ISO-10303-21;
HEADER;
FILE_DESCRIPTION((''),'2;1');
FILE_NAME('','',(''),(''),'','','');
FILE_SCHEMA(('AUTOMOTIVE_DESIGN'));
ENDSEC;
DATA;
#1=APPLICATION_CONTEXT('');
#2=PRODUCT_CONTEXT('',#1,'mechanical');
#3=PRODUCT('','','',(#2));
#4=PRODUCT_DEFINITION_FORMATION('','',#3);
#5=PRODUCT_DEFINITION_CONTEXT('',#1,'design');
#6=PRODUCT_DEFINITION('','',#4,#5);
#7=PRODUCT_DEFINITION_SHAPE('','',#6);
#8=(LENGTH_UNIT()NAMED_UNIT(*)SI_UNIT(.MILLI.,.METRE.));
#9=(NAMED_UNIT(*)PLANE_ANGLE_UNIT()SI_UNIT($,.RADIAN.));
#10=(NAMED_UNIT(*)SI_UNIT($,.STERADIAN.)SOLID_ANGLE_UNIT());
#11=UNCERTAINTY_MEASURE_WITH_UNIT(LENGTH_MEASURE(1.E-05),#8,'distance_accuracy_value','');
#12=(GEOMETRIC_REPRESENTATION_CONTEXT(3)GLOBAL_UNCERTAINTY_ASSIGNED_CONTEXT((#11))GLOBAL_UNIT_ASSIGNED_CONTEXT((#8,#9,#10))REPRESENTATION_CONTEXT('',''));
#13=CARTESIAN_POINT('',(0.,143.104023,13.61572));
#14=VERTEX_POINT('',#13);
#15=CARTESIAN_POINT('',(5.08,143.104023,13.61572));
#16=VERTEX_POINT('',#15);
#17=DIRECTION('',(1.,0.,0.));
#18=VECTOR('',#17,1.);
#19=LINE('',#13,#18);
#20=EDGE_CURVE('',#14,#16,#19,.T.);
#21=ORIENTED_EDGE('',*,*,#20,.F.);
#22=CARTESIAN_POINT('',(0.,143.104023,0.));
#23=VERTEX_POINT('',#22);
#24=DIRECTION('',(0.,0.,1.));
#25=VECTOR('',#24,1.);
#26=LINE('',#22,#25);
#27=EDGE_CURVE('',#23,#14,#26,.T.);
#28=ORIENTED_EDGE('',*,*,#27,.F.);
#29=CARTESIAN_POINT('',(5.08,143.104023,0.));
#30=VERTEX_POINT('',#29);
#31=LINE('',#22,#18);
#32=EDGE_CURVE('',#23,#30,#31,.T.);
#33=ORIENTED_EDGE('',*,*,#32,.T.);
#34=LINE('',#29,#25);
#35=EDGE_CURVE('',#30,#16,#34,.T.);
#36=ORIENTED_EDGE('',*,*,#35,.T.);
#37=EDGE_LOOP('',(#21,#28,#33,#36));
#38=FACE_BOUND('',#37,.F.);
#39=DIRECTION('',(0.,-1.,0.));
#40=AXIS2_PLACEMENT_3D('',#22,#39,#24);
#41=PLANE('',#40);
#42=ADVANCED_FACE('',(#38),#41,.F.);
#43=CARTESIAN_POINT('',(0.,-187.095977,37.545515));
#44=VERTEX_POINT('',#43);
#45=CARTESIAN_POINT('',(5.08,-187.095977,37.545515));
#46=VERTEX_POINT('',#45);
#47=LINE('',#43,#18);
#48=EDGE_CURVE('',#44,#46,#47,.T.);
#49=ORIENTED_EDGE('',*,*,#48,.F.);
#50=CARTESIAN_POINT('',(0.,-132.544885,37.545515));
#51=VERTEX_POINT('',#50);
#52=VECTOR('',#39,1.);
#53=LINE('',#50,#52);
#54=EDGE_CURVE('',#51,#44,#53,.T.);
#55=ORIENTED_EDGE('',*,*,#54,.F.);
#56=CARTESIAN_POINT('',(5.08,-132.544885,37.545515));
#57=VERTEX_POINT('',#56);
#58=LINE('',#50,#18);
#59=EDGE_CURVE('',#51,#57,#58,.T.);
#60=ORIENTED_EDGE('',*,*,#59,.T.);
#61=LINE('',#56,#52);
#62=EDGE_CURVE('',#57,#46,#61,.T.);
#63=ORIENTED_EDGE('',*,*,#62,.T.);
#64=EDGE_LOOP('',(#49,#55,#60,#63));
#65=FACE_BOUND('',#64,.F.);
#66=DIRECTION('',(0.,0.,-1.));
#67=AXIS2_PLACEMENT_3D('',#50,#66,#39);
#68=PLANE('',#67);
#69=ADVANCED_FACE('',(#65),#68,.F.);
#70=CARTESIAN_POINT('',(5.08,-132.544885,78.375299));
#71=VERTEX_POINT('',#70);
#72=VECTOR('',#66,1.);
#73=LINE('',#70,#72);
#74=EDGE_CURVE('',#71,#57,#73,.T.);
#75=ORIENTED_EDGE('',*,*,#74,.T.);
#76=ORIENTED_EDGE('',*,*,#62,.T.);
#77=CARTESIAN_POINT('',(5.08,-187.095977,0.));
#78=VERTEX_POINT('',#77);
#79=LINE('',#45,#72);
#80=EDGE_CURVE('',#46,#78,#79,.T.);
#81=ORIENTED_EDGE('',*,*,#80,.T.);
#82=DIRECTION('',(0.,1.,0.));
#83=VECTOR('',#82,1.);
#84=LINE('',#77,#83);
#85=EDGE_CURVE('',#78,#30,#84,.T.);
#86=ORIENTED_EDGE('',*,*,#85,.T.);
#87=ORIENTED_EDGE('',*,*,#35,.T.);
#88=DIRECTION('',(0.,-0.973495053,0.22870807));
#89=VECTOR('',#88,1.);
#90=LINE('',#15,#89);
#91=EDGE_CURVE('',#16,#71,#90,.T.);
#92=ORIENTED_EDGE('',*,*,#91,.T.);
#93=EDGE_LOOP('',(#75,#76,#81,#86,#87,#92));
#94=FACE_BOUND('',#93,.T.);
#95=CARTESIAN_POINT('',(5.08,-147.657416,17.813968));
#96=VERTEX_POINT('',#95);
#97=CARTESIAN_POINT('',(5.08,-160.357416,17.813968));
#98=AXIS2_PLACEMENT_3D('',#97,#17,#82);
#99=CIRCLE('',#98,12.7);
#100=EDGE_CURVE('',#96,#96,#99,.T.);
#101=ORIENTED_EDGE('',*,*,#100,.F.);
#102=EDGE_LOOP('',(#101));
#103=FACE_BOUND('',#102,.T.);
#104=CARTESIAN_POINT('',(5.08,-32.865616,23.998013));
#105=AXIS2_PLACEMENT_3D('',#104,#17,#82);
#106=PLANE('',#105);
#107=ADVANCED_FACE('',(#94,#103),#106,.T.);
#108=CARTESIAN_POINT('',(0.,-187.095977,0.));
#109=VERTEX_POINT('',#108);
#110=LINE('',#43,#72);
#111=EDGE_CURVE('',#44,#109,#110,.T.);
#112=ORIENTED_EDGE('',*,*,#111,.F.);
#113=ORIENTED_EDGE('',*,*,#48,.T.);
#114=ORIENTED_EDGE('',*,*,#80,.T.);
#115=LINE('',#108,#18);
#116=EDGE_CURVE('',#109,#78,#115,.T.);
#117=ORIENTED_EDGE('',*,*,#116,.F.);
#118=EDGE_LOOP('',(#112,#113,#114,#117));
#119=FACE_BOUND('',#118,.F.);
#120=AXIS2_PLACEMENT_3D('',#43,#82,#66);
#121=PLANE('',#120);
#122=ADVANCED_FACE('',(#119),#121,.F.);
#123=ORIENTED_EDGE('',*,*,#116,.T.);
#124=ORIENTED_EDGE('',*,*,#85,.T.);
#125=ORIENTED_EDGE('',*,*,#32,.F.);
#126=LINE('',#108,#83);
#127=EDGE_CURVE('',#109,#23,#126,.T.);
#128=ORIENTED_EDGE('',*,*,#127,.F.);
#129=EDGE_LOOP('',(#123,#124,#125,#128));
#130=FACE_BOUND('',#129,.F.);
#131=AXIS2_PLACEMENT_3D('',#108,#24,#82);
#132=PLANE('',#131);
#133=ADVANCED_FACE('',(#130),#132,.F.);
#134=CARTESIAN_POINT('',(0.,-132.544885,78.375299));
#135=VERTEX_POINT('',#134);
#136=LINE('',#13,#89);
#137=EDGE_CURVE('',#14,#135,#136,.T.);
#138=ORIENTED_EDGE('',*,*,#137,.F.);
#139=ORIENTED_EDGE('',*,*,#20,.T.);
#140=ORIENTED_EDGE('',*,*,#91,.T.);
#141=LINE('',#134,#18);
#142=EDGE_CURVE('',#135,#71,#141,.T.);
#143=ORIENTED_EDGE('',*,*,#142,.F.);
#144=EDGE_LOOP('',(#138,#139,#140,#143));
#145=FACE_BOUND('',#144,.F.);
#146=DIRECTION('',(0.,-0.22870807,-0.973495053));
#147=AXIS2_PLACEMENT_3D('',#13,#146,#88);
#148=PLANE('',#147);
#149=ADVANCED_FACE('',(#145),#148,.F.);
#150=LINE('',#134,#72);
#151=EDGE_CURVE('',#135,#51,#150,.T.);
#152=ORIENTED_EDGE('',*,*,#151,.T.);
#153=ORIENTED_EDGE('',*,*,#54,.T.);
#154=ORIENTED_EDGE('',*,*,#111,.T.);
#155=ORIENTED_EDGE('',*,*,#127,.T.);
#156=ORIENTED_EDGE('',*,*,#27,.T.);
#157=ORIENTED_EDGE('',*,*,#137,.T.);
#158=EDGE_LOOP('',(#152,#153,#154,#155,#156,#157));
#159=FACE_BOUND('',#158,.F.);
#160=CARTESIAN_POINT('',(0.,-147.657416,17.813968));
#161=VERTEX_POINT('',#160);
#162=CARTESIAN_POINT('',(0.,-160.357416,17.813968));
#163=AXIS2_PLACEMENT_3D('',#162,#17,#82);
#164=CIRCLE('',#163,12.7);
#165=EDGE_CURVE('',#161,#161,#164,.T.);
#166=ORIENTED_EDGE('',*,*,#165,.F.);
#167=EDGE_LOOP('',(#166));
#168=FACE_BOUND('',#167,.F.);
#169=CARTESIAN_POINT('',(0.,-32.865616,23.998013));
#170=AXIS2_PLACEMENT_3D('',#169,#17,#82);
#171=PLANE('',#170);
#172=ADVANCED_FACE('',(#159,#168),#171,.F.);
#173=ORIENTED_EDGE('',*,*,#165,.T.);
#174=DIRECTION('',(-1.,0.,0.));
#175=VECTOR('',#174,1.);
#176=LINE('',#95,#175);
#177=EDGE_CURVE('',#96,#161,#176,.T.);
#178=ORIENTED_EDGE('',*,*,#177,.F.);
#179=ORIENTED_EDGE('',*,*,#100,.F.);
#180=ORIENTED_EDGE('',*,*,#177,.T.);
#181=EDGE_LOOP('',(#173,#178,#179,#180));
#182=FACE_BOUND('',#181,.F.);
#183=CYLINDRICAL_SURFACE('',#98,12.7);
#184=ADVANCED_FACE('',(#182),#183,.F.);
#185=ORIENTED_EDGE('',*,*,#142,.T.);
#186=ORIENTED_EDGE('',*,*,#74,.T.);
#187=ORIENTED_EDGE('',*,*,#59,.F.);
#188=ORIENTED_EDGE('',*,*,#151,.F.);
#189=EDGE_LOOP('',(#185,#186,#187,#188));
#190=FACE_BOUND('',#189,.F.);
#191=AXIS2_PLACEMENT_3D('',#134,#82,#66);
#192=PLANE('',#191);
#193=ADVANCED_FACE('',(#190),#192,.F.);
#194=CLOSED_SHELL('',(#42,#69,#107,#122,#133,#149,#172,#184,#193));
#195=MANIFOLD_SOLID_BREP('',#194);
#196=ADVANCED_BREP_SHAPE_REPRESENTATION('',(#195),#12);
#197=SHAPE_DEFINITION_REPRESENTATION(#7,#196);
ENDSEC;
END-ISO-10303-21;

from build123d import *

# Parameters (mm, degrees)
F1_DEPTH = 5.08
F2_R     = 12.7
F3_DEPTH = 12.7


with BuildPart() as f1:
    # F0 (on Right) → F1 (new body)
    with BuildSketch(Plane.YZ):
        Polygon((143.104023, 0), (143.104023, 13.61572), (-132.544885, 78.375299), (-132.544885, 37.545515), (-187.095977, 37.545515), (-187.095977, 0), (-132.544885, 0), align=None)
    extrude(amount=F1_DEPTH)

    # F2 (on face) → F3 (cut)
    with BuildSketch(Plane.YZ.offset(5.08)):
        with Locations((-160.357416, 17.813968)):
            Circle(F2_R)
    extrude(amount=-F3_DEPTH, mode=Mode.SUBTRACT)


solid = f1.part
